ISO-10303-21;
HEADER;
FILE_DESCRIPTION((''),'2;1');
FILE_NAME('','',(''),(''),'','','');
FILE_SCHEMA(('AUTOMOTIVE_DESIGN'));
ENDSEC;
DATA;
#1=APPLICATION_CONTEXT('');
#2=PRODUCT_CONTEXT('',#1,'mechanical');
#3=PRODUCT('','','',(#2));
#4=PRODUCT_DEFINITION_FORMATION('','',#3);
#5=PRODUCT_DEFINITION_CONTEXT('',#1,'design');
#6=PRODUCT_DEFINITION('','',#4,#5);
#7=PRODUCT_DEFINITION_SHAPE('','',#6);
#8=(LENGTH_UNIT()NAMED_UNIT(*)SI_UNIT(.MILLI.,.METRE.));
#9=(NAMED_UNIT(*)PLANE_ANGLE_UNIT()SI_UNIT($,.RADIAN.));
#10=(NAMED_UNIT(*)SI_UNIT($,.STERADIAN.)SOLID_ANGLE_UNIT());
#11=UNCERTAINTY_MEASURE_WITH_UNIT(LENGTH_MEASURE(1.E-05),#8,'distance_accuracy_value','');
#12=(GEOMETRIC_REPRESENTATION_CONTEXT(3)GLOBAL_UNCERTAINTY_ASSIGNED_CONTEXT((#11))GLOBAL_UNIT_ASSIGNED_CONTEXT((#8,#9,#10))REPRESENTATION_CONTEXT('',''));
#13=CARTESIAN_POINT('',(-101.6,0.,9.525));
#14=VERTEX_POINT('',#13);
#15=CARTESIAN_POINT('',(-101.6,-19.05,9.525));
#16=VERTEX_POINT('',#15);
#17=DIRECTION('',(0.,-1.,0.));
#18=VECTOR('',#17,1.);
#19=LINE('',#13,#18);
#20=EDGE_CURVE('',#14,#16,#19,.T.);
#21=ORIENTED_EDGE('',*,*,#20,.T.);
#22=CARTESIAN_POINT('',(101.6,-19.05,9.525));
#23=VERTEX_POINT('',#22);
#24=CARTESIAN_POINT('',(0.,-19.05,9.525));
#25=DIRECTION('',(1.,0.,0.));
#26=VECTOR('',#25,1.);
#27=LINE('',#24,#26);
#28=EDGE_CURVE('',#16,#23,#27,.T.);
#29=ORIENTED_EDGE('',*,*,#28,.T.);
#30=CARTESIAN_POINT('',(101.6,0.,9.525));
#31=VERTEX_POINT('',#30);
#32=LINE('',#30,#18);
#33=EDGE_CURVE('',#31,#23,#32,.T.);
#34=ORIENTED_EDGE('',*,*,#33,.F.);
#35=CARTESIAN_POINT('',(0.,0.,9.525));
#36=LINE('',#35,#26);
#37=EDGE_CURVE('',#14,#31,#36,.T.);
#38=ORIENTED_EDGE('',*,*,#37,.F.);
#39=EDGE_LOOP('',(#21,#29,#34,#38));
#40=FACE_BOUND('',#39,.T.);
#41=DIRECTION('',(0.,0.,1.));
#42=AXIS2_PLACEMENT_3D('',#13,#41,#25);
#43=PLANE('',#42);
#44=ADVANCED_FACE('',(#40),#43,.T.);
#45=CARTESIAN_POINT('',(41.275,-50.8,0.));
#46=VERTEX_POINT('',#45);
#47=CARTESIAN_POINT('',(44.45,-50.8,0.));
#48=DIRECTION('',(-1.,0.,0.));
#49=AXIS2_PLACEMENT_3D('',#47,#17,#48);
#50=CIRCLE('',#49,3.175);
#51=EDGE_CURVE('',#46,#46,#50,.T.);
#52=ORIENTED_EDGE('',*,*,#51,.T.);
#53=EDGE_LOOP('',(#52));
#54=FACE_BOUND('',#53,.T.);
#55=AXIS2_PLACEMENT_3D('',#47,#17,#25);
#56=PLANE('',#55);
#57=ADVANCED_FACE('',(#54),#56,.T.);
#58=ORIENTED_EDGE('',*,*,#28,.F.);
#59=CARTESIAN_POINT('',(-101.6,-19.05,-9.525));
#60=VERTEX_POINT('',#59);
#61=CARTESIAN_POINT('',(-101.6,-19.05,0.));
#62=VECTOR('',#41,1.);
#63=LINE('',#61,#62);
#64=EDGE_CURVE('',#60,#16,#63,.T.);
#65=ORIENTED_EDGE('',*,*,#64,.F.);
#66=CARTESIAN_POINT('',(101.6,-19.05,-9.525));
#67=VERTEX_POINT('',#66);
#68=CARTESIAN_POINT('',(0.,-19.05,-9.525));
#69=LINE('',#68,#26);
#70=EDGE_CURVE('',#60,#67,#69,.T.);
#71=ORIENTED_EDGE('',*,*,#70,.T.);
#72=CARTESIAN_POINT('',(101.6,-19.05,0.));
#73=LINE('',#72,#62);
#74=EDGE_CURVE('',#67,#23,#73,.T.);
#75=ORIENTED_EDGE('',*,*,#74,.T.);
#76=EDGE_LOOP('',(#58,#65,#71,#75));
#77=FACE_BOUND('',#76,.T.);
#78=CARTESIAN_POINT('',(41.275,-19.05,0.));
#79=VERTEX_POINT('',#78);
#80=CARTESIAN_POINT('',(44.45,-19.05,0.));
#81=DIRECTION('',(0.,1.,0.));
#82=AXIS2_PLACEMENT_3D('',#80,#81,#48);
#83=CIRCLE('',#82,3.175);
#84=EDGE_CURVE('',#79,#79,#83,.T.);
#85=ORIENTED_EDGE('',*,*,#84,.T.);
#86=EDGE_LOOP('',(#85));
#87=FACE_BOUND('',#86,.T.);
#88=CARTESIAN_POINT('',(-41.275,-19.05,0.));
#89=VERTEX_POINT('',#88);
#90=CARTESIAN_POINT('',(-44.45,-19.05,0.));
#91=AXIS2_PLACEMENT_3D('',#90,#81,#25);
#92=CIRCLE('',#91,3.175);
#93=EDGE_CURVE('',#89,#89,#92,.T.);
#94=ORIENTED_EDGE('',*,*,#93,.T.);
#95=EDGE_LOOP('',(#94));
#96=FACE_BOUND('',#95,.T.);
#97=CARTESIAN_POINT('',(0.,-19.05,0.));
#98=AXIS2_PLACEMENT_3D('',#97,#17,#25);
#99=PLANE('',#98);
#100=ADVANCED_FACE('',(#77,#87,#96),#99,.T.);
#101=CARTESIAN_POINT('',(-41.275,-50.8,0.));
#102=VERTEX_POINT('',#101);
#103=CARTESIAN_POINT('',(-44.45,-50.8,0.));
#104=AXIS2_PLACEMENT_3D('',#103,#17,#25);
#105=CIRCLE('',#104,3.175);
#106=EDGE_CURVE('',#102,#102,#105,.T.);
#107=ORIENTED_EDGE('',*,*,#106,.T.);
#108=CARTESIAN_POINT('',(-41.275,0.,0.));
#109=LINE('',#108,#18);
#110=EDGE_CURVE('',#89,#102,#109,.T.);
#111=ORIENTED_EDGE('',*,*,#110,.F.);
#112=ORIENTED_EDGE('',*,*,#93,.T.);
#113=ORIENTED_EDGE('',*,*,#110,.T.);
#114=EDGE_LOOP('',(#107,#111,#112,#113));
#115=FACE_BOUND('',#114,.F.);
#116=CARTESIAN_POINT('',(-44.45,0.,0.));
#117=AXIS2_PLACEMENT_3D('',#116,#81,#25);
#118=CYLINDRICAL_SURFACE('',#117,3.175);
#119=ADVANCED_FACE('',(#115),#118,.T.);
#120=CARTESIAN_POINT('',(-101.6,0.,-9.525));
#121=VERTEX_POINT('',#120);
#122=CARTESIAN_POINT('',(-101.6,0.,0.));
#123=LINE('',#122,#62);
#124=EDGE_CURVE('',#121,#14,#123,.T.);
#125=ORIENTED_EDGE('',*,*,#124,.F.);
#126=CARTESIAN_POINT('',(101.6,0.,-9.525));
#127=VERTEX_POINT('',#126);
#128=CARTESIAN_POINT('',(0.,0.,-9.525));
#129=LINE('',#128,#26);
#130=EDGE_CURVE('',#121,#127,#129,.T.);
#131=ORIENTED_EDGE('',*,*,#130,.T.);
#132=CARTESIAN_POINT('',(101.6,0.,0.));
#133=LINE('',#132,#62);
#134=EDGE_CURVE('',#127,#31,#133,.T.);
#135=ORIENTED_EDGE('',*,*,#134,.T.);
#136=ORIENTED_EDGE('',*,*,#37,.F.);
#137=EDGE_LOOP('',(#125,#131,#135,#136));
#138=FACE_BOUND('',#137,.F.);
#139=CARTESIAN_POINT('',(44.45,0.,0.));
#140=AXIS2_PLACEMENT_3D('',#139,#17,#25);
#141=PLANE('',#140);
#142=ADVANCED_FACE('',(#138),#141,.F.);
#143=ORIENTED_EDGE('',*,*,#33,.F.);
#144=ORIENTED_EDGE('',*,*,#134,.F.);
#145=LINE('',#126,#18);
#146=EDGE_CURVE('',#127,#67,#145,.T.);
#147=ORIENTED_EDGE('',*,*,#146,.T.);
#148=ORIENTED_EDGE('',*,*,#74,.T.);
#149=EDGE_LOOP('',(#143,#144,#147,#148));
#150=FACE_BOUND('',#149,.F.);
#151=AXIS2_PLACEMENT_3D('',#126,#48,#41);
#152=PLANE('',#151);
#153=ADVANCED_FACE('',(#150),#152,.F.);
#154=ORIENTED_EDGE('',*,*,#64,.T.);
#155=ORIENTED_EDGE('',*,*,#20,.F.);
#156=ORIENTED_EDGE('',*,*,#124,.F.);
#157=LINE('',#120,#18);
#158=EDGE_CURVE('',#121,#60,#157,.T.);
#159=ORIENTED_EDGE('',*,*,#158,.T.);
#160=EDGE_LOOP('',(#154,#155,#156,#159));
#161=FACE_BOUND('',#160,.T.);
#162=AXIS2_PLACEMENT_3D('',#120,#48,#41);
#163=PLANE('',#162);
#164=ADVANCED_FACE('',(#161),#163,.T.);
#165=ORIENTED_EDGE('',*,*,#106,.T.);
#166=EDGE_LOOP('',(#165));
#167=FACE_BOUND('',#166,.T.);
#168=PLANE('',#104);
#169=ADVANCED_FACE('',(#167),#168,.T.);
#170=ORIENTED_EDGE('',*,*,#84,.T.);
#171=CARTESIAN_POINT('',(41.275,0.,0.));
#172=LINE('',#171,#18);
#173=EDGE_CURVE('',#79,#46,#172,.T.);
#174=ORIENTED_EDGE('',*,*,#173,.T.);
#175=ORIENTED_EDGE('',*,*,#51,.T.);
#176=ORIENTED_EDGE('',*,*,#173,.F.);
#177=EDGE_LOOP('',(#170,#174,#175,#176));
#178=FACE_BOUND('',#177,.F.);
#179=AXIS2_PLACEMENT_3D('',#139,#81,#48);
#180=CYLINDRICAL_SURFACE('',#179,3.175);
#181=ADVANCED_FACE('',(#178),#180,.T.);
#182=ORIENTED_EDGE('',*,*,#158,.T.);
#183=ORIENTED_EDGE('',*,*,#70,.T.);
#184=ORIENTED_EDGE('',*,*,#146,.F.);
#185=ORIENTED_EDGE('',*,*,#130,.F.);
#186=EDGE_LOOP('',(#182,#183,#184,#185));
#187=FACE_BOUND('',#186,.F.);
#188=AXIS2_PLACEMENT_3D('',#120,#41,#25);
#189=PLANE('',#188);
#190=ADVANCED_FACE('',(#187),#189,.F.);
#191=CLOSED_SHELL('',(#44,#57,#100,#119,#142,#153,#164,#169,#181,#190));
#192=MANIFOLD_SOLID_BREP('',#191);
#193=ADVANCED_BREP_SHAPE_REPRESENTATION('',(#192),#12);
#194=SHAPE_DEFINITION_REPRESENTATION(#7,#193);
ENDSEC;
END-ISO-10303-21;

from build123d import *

# Parameters (mm, degrees)
F0_W     = 203.2
F0_H     = 19.05
F1_DEPTH = 19.05
F2_R     = 3.175
F3_DEPTH = 50.8


with BuildPart() as f1:
    # F0 (on Front) → F1 (new body)
    with BuildSketch(Plane.XZ):
        Rectangle(F0_W, F0_H)
    extrude(amount=F1_DEPTH)

    # F2 (on Front) → F3 (join)
    with BuildSketch(Plane.XZ):
        with BuildLine():
            ThreePointArc((47.625, 0), (44.45, 3.175), (41.275, 0))
            ThreePointArc((41.275, 0), (44.45, -3.175), (47.625, 0))
        make_face()
        with Locations((-44.45, 0)):
            Circle(F2_R)
    extrude(amount=F3_DEPTH)


solid = f1.part
